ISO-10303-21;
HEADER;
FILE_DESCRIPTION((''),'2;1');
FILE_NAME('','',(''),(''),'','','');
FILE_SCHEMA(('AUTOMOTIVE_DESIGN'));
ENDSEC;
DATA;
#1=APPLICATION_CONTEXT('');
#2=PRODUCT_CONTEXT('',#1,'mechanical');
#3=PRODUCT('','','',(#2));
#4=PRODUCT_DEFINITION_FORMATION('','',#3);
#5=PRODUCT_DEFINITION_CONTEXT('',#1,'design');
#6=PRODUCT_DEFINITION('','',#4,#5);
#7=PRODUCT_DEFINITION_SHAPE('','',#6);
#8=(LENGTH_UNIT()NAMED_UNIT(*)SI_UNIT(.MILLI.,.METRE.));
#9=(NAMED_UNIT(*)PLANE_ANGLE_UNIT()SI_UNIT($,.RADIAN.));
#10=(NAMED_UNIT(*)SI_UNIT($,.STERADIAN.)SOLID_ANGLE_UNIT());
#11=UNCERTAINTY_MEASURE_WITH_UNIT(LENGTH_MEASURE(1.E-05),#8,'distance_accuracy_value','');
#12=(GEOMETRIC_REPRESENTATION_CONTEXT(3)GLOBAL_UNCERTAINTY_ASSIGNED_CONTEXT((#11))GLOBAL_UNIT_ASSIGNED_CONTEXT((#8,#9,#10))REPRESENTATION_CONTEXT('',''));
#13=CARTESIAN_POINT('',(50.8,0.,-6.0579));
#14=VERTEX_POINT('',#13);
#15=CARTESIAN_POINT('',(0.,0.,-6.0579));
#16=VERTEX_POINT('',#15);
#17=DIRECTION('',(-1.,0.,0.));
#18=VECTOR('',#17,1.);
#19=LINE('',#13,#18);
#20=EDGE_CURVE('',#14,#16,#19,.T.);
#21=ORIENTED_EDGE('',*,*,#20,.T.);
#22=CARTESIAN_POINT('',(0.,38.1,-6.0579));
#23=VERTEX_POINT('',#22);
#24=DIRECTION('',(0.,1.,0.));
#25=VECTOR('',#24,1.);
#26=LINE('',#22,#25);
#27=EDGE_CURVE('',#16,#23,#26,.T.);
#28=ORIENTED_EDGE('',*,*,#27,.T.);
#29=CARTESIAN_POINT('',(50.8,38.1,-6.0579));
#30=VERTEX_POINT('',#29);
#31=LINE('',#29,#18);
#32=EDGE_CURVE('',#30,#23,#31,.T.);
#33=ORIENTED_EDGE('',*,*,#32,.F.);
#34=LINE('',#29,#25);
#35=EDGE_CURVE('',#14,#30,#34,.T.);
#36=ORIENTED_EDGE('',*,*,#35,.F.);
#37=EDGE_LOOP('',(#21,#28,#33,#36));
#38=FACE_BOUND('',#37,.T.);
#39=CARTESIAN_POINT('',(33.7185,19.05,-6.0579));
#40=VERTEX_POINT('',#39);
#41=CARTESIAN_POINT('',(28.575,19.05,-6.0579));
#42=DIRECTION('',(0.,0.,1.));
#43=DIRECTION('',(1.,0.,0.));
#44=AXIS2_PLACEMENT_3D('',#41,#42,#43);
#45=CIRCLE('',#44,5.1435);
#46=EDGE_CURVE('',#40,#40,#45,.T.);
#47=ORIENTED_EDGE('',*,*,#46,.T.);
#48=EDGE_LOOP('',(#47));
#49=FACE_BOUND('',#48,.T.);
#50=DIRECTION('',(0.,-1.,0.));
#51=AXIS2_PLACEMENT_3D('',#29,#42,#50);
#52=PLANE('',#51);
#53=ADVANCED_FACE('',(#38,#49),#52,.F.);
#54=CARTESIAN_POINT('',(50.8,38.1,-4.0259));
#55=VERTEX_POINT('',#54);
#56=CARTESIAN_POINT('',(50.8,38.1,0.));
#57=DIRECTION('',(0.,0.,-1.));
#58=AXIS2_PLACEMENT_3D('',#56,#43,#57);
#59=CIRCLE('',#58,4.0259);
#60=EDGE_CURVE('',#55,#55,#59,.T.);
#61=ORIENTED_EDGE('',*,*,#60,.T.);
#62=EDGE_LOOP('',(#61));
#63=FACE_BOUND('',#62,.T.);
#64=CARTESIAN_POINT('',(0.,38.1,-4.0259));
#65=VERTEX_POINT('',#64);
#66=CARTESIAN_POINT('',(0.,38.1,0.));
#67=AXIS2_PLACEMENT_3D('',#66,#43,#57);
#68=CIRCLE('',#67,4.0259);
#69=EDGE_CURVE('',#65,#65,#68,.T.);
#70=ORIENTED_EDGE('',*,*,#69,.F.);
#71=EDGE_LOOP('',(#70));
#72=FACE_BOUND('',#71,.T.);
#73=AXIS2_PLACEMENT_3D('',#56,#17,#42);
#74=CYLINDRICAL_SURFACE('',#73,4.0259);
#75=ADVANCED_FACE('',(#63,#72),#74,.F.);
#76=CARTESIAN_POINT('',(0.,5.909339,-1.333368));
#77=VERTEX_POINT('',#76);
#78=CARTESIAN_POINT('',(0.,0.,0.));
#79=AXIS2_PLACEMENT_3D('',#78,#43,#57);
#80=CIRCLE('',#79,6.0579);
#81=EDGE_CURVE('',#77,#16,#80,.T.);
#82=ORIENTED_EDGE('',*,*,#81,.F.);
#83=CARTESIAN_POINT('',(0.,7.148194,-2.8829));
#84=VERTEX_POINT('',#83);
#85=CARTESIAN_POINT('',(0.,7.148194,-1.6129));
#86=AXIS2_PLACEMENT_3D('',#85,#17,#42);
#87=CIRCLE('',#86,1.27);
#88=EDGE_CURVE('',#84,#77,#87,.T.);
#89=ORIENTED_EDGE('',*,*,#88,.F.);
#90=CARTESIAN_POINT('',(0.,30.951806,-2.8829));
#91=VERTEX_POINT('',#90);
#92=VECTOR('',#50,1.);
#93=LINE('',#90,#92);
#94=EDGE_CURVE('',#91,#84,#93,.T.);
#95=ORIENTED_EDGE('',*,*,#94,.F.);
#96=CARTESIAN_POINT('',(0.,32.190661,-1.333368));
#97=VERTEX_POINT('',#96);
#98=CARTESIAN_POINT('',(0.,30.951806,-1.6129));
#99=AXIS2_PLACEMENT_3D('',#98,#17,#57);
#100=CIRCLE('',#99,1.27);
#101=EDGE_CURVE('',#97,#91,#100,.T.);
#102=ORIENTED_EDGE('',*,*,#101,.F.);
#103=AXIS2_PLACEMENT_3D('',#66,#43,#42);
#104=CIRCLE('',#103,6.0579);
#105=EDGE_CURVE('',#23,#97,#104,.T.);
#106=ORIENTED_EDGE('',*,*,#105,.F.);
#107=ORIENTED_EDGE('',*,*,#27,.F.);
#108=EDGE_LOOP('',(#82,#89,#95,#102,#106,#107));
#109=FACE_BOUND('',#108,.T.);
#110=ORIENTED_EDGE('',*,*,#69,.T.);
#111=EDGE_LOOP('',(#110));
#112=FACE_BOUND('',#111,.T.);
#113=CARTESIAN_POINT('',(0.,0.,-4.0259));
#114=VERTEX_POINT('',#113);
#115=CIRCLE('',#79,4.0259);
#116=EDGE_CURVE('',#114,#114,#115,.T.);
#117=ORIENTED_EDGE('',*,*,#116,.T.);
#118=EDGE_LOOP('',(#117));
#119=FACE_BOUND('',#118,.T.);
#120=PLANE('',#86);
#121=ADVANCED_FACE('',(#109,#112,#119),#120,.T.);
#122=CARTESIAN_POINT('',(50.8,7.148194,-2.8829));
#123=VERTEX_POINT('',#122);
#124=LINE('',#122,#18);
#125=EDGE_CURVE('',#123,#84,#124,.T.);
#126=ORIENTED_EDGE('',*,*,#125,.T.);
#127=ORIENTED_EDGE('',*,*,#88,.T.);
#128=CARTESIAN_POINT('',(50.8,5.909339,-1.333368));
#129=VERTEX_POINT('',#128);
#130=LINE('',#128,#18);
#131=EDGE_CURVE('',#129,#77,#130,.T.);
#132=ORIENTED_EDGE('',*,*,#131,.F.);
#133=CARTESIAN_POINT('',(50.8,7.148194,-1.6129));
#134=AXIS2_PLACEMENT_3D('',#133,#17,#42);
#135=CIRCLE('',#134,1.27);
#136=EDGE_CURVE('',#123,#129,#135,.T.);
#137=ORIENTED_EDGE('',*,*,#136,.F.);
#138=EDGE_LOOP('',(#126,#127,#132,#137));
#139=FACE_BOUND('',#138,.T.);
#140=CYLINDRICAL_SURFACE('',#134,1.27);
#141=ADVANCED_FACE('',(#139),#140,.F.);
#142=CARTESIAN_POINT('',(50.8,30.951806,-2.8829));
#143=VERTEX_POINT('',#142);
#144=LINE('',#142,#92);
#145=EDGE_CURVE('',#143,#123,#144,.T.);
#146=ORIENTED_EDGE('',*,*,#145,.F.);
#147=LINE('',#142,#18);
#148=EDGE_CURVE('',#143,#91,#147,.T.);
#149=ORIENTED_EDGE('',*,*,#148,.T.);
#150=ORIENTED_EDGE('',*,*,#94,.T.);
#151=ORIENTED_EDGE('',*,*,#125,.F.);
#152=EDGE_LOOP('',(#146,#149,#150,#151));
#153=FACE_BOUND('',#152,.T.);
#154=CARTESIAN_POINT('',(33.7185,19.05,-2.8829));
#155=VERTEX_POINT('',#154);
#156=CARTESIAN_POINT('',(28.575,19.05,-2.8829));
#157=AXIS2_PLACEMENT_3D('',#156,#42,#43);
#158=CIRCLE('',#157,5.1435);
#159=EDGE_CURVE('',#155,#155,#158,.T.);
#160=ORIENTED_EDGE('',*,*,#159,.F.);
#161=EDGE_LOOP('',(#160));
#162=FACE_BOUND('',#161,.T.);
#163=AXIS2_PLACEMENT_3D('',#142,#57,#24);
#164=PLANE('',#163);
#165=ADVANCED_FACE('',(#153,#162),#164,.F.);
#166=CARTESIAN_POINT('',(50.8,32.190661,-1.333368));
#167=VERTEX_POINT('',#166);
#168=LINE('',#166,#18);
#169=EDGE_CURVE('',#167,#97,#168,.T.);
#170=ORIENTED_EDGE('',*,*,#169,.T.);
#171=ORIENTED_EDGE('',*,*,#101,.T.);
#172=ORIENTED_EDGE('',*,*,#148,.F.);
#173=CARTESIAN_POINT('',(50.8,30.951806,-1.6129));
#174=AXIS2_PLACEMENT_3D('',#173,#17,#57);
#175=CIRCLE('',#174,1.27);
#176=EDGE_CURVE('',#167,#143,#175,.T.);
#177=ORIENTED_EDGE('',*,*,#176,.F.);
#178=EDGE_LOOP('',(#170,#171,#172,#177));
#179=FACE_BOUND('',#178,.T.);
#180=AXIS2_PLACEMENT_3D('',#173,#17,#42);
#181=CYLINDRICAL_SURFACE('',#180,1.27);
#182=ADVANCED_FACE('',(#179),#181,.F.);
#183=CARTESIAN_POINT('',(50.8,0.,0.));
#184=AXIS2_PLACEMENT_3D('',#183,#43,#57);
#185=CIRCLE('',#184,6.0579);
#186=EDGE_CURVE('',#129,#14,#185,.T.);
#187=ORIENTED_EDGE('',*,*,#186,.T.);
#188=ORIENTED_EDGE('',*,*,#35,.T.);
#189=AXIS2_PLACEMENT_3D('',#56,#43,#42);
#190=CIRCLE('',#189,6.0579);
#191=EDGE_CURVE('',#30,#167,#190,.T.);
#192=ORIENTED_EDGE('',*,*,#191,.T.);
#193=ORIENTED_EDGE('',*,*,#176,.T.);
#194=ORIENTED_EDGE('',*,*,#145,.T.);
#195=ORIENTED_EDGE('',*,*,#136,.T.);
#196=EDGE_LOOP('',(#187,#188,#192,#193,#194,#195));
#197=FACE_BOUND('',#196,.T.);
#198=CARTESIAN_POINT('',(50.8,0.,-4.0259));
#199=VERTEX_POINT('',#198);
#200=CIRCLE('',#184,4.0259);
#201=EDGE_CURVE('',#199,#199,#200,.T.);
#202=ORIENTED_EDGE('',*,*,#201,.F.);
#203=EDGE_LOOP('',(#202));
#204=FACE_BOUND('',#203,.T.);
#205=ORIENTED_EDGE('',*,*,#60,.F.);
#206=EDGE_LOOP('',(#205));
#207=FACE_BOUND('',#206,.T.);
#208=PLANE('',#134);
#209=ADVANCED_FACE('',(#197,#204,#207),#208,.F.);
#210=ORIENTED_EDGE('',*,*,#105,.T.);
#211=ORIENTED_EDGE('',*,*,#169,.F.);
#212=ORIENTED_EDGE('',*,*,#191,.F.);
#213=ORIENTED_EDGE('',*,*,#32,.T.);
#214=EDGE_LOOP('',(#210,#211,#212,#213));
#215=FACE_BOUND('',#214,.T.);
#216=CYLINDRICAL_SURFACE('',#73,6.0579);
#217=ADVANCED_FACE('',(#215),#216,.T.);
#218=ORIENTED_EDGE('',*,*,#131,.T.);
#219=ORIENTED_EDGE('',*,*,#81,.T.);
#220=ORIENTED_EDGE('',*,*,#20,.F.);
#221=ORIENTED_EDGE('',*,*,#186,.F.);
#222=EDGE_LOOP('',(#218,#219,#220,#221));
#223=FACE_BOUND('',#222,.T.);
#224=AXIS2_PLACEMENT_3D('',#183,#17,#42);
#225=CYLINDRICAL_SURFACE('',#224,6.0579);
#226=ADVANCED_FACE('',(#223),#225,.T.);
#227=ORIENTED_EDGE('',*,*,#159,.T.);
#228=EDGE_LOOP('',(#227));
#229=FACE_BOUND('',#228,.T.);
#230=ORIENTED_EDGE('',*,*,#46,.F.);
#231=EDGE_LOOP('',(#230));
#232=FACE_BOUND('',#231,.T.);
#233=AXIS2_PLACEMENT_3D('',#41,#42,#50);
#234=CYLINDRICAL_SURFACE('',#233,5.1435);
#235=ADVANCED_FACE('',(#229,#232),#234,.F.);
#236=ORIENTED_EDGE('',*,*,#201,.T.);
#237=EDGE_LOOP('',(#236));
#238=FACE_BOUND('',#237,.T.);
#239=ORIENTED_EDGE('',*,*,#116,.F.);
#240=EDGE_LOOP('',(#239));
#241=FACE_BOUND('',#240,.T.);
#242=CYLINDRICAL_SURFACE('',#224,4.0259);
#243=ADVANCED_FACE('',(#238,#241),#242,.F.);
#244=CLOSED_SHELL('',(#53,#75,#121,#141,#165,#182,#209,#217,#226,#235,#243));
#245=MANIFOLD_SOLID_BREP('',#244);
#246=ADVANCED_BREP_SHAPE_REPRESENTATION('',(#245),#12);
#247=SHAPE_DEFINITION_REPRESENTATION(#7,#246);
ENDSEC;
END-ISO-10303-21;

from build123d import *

# Parameters (mm, degrees)
SKETCH1_R           = 4.0259
BOSS_EXTRUDE1_DEPTH = 50.8
SKETCH7_R           = 5.1435
CUT_EXTRUDE3_DEPTH  = 68.900648282


with BuildPart() as part:
    # Sketch1 → Boss-Extrude1 (new body)
    with BuildSketch(Plane(origin=(0, 0, 0), x_dir=(0, 0, -1), z_dir=(1, 0, 0))):
        with BuildLine():
            Line((2.8829, 30.951806382), (2.8829, 7.148193618))
            ThreePointArc((2.8829, 7.148193618), (2.405961877, 6.156249638), (1.333367938, 5.909338572))
            ThreePointArc((1.333367938, 5.909338572), (-4.731572785, -3.782905152), (6.0579, 0))
            Line((6.0579, 0), (6.0579, 38.1))
            ThreePointArc((6.0579, 38.1), (-4.731572785, 41.882905152), (1.333367938, 32.190661428))
            ThreePointArc((1.333367938, 32.190661428), (2.405961877, 31.943750362), (2.8829, 30.951806382))
        make_face()
        Circle(SKETCH1_R, mode=Mode.SUBTRACT)
        with Locations((0, 38.1)):
            Circle(SKETCH1_R, mode=Mode.SUBTRACT)
    extrude(amount=BOSS_EXTRUDE1_DEPTH)

    # Sketch7 → Cut-Extrude3 (cut, through all)
    with BuildSketch(Plane.XY.offset(-2.8829)):
        with Locations((28.575, 19.05)):
            Circle(SKETCH7_R)
    extrude(amount=-CUT_EXTRUDE3_DEPTH, mode=Mode.SUBTRACT)


solid = part.part
